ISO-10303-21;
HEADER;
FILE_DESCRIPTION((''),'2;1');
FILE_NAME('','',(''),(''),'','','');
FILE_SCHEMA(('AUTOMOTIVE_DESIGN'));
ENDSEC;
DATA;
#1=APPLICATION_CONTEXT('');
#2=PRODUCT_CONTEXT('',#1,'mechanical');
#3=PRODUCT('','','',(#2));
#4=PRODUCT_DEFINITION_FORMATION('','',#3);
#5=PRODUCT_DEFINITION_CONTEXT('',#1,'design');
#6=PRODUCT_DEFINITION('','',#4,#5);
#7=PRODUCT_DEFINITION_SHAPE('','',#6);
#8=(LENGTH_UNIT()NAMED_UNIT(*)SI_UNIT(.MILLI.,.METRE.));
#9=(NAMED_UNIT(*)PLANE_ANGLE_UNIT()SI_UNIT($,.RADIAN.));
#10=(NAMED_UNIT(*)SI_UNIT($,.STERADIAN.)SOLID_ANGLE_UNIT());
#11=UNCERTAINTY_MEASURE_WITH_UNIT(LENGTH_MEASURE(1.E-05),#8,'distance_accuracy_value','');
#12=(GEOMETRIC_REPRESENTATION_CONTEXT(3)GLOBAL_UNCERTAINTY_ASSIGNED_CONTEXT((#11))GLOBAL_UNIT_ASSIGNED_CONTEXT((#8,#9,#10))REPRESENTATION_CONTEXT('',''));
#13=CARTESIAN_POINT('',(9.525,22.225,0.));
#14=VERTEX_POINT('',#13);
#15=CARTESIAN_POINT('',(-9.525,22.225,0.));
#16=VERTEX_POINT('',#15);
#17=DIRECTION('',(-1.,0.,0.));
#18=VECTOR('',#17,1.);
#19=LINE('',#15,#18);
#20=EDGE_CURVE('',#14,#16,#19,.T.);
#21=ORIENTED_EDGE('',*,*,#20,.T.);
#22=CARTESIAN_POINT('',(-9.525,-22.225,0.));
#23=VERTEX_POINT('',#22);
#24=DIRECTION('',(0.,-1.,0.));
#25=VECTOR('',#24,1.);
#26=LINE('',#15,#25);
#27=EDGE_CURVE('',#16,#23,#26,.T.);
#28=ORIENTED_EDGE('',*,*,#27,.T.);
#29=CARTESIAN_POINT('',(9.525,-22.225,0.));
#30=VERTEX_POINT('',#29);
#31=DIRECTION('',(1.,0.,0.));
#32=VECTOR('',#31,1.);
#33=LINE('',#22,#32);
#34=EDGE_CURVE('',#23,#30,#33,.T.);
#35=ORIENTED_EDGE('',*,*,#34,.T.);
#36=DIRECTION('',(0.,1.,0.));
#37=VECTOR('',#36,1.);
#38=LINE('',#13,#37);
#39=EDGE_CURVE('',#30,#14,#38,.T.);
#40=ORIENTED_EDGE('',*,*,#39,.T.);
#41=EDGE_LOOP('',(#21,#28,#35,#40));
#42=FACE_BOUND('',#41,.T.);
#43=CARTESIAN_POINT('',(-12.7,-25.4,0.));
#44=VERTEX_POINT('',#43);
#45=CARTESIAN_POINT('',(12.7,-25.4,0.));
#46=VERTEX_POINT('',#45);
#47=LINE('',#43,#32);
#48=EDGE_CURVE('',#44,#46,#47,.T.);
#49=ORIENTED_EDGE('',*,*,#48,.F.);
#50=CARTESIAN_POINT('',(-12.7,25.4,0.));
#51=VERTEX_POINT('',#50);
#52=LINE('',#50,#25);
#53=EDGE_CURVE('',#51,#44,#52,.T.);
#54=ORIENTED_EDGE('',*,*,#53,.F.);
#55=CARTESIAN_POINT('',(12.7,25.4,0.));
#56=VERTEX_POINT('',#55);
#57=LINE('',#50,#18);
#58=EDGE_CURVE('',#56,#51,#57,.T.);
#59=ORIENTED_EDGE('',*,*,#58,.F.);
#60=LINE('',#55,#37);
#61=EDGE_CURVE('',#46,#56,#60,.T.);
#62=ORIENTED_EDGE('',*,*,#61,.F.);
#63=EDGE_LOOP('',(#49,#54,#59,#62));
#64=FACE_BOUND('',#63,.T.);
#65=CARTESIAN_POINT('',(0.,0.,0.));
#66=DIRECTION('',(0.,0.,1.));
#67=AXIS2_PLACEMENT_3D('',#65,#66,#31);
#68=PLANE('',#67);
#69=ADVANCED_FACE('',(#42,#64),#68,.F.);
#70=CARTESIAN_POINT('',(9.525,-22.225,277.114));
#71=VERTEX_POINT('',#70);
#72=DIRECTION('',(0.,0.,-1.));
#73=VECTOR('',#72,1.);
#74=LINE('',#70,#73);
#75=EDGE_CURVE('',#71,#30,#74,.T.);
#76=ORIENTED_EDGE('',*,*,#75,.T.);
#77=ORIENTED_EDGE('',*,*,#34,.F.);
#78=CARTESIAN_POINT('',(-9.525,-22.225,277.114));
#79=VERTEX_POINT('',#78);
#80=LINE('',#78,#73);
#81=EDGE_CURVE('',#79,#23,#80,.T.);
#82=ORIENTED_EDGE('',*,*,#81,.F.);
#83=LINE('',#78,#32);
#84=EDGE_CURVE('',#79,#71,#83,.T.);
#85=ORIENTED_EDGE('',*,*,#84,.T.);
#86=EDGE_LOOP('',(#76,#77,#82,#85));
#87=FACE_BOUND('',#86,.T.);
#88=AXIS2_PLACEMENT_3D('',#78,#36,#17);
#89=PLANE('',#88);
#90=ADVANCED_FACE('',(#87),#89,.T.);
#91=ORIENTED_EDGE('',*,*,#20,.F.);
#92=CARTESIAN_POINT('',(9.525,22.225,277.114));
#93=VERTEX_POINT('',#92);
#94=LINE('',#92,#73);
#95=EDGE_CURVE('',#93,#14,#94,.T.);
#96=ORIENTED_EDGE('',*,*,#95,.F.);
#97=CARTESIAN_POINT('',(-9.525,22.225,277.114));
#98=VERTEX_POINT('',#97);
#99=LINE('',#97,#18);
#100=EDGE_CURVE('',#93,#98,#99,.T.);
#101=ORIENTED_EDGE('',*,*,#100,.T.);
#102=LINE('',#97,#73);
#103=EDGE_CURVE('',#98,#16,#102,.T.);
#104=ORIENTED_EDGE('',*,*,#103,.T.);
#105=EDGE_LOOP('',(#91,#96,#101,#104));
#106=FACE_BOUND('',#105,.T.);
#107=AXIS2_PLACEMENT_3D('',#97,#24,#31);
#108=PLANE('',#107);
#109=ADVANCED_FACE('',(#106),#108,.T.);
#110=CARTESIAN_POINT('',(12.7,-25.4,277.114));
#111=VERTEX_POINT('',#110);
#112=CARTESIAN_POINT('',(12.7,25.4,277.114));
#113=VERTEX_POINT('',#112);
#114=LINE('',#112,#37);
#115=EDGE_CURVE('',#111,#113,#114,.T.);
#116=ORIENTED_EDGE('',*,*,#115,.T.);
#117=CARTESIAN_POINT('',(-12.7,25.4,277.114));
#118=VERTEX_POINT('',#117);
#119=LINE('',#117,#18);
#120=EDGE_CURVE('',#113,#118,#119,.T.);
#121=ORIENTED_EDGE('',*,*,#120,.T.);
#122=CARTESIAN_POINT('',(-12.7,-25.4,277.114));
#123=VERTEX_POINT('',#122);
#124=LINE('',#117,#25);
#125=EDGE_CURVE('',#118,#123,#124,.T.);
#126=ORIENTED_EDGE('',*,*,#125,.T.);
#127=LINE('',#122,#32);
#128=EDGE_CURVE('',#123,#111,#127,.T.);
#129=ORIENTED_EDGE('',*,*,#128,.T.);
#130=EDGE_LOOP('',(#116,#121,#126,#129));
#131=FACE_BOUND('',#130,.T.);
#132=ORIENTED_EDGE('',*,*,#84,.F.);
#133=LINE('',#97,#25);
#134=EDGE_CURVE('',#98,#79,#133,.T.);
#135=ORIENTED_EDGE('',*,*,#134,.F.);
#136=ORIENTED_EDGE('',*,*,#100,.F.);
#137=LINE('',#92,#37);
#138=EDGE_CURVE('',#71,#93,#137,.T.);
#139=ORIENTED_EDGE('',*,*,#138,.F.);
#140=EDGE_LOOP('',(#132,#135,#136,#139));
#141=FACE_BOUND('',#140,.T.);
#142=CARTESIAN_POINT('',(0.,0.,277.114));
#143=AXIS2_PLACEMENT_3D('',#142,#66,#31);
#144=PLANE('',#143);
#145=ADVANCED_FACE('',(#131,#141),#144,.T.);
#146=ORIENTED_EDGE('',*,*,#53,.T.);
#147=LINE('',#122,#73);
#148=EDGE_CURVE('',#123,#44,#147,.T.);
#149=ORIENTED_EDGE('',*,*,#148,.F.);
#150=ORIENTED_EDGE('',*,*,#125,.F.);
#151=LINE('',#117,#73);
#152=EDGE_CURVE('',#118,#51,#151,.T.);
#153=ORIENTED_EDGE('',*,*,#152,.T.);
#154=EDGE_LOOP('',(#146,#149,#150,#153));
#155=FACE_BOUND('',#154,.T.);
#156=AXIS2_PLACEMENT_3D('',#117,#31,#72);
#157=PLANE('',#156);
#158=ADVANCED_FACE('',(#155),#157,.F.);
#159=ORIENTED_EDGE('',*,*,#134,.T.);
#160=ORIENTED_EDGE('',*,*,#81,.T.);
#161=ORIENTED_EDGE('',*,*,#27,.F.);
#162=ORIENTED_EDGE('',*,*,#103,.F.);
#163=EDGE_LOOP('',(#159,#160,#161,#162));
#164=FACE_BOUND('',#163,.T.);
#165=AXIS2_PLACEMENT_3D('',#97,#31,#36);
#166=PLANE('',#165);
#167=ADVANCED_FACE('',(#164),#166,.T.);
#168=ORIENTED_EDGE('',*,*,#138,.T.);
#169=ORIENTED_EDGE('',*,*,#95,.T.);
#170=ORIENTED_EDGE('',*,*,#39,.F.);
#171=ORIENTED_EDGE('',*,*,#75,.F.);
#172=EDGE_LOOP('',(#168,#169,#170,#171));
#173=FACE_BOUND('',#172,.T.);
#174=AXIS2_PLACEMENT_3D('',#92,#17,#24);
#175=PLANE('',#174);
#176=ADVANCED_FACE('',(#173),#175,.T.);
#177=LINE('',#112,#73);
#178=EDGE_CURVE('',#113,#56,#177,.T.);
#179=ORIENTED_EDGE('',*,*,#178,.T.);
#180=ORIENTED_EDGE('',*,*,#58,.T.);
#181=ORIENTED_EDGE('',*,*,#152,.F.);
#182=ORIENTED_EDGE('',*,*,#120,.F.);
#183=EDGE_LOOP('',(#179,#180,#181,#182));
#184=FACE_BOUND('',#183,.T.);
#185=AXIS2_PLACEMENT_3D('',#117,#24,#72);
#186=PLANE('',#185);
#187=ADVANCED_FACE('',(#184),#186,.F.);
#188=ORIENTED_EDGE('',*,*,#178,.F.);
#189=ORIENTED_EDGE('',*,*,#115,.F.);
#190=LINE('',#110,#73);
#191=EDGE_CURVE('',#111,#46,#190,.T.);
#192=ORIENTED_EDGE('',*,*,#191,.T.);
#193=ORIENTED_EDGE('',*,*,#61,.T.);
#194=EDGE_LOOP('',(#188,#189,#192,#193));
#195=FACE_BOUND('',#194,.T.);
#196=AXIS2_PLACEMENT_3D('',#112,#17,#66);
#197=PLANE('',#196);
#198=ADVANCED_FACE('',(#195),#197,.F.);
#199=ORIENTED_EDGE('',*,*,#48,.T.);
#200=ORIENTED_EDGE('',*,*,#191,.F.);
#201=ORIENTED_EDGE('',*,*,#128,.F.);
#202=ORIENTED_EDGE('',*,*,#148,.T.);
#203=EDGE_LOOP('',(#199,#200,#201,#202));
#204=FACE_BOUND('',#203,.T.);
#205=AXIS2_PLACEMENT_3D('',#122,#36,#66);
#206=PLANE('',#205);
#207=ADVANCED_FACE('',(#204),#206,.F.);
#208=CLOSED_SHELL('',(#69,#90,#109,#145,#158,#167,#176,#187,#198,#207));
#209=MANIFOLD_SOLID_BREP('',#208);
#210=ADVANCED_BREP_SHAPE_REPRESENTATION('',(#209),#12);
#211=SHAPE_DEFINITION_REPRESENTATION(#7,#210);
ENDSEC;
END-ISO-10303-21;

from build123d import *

# Parameters (mm, degrees)
SKETCH1_W           = 25.4
SKETCH1_H           = 50.8
SKETCH1_W_2         = 19.05
SKETCH1_H_2         = 44.45
BOSS_EXTRUDE1_DEPTH = 277.114


with BuildPart() as part:
    # Sketch1 → Boss-Extrude1 (new body)
    with BuildSketch(Plane.XY):
        Rectangle(SKETCH1_W, SKETCH1_H)
        Rectangle(SKETCH1_W_2, SKETCH1_H_2, mode=Mode.SUBTRACT)
    extrude(amount=BOSS_EXTRUDE1_DEPTH)


solid = part.part
